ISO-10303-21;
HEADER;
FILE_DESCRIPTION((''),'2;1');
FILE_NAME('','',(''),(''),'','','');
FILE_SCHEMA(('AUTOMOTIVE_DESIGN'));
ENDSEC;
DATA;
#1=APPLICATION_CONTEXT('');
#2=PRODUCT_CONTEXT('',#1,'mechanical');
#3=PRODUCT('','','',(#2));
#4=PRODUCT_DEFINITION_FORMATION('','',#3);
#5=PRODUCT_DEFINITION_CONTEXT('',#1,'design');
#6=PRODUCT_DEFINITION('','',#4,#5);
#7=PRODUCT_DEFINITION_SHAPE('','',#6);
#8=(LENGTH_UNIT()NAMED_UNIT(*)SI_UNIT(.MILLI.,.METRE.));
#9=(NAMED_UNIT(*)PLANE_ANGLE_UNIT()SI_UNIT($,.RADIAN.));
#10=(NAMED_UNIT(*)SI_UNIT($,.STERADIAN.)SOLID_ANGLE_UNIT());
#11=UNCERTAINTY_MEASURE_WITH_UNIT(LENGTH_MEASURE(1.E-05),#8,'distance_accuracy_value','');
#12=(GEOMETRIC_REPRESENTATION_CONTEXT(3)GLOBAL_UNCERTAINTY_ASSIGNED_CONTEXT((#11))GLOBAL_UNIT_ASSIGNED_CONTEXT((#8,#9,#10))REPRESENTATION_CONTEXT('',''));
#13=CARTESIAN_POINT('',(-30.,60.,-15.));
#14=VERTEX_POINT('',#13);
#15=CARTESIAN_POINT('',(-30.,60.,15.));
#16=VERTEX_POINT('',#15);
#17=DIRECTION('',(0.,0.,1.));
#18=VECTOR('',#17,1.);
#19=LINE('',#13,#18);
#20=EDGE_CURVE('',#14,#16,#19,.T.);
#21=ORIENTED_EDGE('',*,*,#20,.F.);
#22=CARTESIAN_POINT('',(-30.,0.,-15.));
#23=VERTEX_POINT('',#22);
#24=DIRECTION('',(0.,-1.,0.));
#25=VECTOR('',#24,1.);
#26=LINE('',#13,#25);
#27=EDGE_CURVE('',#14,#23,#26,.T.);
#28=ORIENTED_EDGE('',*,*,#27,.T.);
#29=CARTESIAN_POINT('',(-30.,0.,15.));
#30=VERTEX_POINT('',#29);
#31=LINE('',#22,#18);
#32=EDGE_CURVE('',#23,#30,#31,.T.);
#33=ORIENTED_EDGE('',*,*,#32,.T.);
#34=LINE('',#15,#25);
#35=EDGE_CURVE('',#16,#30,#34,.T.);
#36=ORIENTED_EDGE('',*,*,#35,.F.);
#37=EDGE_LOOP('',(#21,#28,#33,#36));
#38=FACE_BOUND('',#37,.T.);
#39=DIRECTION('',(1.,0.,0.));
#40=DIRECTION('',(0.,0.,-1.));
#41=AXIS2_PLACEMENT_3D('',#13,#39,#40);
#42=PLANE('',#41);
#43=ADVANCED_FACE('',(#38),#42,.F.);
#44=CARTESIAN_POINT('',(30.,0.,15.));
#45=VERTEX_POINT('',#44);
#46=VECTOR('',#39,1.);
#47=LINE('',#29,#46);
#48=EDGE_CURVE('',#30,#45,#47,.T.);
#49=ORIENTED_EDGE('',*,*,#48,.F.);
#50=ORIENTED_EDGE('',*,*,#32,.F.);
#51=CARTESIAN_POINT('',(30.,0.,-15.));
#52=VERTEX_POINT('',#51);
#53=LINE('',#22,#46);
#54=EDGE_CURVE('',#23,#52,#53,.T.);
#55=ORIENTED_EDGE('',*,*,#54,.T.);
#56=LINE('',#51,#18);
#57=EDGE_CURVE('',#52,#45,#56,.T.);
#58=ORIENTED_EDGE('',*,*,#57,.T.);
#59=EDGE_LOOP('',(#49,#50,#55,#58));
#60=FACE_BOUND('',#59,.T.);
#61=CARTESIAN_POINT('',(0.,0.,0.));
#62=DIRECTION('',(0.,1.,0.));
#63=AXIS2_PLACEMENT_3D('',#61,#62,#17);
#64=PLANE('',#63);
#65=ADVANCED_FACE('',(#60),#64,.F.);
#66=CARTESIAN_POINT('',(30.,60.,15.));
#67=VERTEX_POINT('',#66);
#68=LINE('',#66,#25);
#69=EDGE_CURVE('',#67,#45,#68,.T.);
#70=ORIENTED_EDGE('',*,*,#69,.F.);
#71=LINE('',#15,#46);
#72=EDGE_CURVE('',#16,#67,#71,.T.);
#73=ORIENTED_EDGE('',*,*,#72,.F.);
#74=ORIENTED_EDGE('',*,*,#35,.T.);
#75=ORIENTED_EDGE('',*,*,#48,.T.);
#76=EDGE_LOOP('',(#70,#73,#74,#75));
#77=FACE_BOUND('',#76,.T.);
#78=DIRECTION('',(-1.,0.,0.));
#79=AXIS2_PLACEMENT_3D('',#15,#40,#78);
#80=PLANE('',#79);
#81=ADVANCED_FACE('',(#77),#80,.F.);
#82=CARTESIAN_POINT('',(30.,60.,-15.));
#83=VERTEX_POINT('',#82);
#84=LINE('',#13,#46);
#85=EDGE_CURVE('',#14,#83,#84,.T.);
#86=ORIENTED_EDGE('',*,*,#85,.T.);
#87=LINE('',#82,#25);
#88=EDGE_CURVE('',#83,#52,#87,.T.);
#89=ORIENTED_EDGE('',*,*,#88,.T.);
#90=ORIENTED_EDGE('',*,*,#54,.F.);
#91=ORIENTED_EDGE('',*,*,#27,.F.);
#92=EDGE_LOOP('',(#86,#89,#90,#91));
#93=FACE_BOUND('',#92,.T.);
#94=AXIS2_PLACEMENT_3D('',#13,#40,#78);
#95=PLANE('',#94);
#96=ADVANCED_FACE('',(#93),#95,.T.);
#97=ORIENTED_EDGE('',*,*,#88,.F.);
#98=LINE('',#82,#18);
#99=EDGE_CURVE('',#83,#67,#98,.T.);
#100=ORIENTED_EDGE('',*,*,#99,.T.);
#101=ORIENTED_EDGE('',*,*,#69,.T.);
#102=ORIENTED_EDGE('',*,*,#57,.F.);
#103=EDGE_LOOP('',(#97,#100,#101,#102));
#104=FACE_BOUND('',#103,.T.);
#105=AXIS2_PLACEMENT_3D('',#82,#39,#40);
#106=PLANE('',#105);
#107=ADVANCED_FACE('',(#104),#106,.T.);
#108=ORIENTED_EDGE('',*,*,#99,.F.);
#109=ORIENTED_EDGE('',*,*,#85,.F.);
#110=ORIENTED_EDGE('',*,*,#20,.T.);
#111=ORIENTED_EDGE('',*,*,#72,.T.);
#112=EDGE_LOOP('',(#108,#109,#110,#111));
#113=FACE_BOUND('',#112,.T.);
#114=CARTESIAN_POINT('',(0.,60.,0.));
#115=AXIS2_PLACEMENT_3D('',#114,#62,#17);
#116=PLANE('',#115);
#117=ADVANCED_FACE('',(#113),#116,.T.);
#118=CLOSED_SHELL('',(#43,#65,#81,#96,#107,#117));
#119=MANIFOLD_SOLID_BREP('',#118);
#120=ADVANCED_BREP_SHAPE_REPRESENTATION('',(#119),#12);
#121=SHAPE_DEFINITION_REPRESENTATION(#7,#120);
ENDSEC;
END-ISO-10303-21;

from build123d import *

# Parameters (mm, degrees)
SKETCH1_W           = 60
SKETCH1_H           = 30
BOSS_EXTRUDE1_DEPTH = 60


with BuildPart() as part:
    # Sketch1 → Boss-Extrude1 (new body)
    with BuildSketch(Plane(origin=(0, 0, 0), x_dir=(1, 0, 0), z_dir=(0, 1, 0))):
        Rectangle(SKETCH1_W, SKETCH1_H)
    extrude(amount=BOSS_EXTRUDE1_DEPTH)


solid = part.part
